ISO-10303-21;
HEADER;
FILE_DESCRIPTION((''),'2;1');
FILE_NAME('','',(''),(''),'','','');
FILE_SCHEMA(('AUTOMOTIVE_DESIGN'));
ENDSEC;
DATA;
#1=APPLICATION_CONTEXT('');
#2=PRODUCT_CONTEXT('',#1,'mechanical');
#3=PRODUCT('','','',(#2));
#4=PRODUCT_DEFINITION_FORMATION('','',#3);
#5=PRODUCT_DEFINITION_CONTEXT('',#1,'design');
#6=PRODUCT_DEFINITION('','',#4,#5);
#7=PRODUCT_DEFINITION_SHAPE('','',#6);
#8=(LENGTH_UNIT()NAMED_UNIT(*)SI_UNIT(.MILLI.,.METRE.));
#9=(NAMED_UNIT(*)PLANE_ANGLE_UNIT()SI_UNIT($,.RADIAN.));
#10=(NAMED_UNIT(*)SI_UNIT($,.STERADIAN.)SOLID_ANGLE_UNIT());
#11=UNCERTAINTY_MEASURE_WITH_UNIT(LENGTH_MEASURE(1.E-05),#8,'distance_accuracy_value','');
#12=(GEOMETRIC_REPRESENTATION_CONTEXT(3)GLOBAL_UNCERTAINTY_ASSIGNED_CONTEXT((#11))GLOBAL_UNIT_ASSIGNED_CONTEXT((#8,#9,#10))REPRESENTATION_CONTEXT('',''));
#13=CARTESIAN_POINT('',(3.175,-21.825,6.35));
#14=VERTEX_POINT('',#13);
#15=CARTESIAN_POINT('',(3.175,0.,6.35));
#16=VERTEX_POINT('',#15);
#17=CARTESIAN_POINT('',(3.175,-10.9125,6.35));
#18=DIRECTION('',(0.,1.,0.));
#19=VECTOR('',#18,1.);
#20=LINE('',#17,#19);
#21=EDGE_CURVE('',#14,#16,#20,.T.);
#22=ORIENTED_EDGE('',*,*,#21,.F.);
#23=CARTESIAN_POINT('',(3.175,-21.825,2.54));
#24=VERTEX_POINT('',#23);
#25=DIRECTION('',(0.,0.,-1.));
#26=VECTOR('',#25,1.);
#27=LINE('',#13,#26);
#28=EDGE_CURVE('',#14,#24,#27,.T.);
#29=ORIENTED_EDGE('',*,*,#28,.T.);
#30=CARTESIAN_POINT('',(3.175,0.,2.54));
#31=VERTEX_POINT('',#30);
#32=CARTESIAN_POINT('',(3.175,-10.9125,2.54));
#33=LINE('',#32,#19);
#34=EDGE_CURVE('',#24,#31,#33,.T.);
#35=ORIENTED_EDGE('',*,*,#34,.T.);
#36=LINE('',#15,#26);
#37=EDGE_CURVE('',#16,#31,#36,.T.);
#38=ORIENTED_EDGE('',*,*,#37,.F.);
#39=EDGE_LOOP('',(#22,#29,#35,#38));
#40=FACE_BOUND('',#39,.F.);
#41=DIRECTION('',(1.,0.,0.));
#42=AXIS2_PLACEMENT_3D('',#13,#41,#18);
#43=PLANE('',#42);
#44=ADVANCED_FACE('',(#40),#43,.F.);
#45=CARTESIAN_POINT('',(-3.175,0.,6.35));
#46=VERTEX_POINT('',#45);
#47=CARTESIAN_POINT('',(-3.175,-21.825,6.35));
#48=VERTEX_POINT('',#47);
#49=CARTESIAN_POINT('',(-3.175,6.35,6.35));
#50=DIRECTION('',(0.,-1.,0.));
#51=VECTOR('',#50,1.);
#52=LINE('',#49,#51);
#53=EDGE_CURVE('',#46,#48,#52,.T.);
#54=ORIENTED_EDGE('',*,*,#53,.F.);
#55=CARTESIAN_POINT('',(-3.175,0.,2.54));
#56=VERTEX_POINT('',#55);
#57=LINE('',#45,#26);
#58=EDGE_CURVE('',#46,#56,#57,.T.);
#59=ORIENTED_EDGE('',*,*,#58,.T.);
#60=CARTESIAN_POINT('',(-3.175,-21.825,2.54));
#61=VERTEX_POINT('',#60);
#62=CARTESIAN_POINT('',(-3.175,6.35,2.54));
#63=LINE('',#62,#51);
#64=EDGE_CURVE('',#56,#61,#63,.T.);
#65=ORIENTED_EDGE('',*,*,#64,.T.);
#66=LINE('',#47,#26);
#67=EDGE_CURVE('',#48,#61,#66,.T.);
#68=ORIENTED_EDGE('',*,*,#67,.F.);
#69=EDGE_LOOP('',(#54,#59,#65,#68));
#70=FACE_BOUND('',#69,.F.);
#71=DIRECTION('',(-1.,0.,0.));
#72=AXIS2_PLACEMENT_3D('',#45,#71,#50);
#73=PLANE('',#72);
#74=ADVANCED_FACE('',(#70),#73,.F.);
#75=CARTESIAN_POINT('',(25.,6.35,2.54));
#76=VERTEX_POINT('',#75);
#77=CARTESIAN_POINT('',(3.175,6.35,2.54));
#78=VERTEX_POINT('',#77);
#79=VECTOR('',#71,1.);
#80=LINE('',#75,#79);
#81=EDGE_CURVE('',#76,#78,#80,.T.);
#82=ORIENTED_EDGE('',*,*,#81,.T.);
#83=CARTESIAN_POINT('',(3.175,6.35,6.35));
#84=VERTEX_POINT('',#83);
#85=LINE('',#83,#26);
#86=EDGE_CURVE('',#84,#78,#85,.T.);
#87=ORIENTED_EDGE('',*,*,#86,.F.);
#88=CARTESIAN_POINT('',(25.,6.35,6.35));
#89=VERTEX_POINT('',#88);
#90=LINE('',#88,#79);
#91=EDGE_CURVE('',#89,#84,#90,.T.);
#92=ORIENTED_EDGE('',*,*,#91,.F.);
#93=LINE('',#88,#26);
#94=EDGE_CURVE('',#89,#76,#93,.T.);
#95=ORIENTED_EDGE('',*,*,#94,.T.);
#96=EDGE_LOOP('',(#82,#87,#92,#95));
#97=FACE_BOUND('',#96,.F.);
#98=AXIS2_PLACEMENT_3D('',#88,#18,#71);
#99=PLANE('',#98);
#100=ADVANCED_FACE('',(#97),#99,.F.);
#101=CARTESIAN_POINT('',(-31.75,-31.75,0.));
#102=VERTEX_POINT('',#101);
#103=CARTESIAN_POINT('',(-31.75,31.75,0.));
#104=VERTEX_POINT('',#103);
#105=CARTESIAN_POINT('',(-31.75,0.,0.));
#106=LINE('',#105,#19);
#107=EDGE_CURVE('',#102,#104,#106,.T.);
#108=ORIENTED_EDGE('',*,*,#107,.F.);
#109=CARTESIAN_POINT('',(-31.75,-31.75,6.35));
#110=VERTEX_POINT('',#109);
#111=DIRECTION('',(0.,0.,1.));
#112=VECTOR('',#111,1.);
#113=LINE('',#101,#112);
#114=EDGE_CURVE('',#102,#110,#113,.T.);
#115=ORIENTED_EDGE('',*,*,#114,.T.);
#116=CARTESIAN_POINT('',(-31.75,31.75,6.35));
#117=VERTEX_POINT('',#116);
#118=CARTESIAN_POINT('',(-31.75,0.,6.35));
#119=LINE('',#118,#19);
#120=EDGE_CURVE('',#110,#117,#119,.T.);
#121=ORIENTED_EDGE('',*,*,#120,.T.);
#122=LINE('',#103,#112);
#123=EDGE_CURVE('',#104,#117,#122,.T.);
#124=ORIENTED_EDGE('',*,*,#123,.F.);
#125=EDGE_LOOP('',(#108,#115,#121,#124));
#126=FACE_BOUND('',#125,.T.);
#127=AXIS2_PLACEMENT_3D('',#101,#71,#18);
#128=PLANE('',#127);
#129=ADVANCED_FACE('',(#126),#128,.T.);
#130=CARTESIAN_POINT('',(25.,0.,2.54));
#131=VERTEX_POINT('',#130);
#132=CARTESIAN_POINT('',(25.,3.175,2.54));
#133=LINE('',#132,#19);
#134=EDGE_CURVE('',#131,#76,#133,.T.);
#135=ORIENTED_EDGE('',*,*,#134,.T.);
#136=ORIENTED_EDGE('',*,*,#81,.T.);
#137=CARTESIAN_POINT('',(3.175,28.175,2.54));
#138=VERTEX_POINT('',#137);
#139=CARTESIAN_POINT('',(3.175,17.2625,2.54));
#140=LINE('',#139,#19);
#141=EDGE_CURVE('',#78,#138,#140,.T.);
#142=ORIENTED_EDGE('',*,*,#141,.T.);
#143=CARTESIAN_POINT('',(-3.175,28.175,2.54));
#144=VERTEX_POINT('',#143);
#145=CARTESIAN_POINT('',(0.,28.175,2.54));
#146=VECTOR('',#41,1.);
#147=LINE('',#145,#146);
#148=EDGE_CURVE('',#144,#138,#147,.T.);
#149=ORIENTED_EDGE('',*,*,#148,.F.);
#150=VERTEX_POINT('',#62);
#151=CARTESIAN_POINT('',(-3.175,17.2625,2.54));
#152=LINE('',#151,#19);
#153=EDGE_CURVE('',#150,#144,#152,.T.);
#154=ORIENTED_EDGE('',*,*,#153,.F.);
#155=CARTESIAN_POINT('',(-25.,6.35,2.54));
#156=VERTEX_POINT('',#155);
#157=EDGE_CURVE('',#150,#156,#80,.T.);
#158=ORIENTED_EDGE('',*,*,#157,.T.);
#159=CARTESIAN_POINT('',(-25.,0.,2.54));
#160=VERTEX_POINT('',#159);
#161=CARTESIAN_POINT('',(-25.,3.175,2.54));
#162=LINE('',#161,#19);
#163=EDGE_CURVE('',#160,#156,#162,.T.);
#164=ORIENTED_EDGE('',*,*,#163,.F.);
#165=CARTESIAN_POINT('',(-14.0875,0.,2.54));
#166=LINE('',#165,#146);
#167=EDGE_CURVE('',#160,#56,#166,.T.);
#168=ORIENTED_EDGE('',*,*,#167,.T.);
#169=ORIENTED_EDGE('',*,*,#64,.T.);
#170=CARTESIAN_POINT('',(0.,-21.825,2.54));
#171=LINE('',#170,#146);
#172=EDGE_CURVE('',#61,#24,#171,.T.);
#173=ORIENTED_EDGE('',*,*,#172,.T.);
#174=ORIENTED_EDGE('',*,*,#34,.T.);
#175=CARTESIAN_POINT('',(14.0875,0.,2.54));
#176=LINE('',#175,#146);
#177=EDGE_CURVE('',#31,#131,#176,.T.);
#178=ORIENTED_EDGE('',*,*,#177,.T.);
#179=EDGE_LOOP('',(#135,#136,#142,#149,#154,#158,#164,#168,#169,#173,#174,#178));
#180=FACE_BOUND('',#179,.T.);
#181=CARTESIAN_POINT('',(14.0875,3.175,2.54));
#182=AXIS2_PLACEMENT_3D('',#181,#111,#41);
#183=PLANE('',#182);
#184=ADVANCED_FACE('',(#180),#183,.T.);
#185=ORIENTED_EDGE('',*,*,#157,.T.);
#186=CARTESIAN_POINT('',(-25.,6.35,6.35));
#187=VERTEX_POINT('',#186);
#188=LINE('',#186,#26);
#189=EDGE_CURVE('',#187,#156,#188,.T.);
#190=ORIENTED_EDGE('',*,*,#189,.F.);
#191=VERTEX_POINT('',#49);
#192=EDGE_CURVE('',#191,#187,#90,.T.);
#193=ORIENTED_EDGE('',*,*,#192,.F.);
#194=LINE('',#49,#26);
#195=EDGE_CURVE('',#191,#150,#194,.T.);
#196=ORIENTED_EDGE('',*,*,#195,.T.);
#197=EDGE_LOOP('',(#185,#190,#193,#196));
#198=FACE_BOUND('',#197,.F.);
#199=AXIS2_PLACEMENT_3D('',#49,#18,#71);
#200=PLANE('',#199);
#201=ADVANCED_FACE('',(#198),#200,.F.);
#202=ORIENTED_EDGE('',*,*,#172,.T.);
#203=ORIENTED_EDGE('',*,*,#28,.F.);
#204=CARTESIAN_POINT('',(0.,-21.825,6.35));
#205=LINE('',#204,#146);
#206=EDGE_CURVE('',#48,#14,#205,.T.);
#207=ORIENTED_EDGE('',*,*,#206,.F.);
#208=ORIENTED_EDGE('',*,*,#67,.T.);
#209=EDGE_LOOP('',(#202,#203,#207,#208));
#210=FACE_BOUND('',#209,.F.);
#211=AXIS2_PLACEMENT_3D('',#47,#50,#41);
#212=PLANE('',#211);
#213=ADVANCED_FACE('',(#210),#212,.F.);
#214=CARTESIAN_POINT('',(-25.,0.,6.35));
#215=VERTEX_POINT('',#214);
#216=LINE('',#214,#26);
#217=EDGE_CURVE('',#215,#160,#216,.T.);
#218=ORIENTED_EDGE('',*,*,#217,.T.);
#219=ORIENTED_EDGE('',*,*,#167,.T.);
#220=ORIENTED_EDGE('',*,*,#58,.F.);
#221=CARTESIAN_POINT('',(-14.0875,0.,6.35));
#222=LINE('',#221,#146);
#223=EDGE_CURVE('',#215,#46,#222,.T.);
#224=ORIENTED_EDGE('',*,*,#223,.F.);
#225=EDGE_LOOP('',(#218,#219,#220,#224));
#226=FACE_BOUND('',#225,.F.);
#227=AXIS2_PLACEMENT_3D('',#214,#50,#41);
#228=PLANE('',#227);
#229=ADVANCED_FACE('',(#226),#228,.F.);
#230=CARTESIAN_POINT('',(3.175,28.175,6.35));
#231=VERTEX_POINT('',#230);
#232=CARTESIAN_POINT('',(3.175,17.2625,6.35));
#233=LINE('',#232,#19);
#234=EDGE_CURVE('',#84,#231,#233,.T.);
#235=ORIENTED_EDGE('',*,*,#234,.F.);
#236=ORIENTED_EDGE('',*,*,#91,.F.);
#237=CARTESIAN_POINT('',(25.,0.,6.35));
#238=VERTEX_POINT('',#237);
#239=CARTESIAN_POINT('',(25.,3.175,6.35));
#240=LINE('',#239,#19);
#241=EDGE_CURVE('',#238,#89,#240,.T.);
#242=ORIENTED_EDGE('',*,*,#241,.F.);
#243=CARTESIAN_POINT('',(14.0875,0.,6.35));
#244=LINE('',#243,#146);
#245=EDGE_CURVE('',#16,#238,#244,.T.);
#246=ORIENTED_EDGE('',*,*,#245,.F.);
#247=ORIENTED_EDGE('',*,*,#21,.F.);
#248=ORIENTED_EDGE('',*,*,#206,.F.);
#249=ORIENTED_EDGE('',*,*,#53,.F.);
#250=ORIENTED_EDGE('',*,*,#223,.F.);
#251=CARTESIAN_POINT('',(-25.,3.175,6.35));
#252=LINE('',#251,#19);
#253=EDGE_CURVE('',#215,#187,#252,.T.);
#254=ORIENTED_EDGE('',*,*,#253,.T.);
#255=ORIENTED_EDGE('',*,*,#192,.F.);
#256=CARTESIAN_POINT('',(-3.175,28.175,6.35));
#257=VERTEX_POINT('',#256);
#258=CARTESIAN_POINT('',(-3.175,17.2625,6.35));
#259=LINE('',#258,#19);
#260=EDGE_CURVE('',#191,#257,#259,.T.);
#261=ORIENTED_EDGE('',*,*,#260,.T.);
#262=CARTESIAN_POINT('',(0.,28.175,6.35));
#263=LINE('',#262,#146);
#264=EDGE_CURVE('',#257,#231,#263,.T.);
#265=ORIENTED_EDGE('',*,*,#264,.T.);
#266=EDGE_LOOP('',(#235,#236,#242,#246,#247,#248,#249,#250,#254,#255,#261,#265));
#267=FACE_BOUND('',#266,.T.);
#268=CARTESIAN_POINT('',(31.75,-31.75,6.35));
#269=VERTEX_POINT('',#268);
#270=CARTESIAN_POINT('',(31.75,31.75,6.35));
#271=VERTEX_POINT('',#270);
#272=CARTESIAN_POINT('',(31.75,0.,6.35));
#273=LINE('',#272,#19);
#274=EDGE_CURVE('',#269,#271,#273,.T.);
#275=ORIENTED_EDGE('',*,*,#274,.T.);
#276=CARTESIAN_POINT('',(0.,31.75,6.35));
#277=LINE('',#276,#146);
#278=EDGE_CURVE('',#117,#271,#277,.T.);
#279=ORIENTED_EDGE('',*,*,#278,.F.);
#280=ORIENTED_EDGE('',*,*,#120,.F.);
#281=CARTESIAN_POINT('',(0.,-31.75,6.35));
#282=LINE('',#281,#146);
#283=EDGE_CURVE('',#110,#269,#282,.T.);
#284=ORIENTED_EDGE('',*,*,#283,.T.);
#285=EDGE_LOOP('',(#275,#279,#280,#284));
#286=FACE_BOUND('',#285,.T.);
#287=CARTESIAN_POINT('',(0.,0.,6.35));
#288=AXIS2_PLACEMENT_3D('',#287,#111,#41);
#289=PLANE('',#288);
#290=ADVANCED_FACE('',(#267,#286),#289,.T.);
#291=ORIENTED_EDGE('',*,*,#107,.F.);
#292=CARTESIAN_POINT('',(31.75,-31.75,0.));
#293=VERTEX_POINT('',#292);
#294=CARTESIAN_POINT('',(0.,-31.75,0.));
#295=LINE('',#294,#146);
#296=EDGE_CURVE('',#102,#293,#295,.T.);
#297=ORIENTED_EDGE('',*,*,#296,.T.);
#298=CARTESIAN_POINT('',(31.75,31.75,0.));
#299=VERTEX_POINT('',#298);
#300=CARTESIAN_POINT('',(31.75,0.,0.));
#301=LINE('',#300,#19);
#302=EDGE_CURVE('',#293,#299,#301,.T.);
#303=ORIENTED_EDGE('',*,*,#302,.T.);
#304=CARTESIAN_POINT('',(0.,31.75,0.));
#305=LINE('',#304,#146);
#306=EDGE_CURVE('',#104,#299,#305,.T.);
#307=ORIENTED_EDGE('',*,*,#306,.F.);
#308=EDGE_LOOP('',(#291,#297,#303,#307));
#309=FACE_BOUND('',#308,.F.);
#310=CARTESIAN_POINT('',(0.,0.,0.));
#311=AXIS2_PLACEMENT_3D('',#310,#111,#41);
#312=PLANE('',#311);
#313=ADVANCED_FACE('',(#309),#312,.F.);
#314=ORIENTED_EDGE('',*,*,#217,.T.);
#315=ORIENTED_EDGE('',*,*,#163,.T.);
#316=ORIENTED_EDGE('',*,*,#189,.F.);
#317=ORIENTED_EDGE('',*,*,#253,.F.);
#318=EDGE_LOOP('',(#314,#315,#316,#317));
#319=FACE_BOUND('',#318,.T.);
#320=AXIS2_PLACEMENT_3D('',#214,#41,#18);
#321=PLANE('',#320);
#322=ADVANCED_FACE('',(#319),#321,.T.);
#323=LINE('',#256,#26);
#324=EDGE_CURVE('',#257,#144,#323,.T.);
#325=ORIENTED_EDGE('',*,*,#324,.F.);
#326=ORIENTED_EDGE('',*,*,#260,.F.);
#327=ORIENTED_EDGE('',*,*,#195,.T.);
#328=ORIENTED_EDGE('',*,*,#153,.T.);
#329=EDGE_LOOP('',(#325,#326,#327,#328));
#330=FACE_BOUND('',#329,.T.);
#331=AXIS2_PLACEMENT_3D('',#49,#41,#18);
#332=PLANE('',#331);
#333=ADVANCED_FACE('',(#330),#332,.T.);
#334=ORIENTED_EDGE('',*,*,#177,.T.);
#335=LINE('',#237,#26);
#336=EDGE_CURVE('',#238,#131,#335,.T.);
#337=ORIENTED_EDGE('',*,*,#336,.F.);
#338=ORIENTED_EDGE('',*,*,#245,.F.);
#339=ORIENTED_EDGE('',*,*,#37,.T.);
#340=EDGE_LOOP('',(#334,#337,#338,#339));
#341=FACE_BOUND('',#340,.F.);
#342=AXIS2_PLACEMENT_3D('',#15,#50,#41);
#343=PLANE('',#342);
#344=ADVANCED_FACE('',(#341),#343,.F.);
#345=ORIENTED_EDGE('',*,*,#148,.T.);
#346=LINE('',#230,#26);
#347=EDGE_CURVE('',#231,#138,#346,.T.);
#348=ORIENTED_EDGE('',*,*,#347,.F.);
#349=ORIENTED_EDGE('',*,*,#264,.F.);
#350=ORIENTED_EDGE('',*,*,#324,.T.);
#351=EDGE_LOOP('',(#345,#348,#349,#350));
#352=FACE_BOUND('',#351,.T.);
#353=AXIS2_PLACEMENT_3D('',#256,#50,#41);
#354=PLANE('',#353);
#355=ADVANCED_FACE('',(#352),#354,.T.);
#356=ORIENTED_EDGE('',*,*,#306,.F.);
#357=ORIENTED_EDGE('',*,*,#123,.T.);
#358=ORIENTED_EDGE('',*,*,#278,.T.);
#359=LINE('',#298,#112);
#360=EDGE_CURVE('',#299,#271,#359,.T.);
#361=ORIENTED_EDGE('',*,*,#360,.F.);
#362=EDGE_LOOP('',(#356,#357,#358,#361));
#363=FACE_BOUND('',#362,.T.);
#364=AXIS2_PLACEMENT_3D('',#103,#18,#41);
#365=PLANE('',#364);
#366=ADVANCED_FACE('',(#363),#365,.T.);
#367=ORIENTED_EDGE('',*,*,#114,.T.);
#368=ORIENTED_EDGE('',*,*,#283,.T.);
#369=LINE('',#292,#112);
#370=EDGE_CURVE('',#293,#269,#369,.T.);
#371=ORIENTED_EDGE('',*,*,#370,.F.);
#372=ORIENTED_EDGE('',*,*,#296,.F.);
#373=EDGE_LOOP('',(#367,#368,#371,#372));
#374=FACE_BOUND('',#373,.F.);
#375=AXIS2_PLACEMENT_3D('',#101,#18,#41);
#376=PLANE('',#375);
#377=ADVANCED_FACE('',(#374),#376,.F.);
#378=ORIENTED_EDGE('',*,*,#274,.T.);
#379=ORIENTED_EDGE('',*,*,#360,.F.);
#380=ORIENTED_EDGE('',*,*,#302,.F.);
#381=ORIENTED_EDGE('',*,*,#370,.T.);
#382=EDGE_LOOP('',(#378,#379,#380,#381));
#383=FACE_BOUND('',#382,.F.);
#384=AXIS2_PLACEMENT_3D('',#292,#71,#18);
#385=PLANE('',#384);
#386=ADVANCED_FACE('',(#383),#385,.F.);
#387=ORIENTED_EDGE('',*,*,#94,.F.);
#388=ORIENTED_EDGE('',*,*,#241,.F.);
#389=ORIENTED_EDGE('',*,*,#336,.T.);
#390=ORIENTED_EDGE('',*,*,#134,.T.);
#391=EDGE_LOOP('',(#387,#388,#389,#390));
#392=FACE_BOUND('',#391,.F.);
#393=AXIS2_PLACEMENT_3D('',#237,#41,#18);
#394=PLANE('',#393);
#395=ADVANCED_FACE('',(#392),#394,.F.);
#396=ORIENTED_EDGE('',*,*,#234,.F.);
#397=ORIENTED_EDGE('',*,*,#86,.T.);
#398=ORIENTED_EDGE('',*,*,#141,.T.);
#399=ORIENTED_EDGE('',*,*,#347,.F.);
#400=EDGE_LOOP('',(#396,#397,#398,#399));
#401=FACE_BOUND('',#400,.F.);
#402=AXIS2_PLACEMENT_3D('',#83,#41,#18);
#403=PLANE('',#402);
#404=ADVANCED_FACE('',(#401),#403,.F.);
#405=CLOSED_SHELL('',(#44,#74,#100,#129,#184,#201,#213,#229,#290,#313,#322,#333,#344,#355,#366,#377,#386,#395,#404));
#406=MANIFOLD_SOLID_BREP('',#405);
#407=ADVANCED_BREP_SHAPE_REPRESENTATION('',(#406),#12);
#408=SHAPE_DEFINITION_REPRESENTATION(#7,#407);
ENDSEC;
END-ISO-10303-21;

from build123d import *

# Parameters (mm, degrees)
F0_W     = 63.5
F0_H     = 63.5
F1_DEPTH = 6.35
F2_W     = 21.825
F2_H     = 6.35
F2_W_2   = 6.35
F2_H_2   = 21.825
F3_DEPTH = 3.81


with BuildPart() as f1:
    # F0 (on Top) → F1 (new body)
    with BuildSketch(Plane.XY):
        Rectangle(F0_W, F0_H)
    extrude(amount=F1_DEPTH)

    # F2 (on face) → F3 (cut)
    with BuildSketch(Plane.XY.offset(6.35)):
        with Locations((14.0875, 3.175)):
            Rectangle(F2_W, F2_H)
        with Locations((0, -10.9125)):
            Rectangle(F2_W_2, F2_H_2)
        with Locations((0, 3.175)):
            Rectangle(F2_W_2, F2_H)
        with Locations((-14.0875, 3.175)):
            Rectangle(F2_W, F2_H)
        with Locations((0, 17.2625)):
            Rectangle(F2_W_2, F2_H_2)
    extrude(amount=-F3_DEPTH, mode=Mode.SUBTRACT)


solid = f1.part
